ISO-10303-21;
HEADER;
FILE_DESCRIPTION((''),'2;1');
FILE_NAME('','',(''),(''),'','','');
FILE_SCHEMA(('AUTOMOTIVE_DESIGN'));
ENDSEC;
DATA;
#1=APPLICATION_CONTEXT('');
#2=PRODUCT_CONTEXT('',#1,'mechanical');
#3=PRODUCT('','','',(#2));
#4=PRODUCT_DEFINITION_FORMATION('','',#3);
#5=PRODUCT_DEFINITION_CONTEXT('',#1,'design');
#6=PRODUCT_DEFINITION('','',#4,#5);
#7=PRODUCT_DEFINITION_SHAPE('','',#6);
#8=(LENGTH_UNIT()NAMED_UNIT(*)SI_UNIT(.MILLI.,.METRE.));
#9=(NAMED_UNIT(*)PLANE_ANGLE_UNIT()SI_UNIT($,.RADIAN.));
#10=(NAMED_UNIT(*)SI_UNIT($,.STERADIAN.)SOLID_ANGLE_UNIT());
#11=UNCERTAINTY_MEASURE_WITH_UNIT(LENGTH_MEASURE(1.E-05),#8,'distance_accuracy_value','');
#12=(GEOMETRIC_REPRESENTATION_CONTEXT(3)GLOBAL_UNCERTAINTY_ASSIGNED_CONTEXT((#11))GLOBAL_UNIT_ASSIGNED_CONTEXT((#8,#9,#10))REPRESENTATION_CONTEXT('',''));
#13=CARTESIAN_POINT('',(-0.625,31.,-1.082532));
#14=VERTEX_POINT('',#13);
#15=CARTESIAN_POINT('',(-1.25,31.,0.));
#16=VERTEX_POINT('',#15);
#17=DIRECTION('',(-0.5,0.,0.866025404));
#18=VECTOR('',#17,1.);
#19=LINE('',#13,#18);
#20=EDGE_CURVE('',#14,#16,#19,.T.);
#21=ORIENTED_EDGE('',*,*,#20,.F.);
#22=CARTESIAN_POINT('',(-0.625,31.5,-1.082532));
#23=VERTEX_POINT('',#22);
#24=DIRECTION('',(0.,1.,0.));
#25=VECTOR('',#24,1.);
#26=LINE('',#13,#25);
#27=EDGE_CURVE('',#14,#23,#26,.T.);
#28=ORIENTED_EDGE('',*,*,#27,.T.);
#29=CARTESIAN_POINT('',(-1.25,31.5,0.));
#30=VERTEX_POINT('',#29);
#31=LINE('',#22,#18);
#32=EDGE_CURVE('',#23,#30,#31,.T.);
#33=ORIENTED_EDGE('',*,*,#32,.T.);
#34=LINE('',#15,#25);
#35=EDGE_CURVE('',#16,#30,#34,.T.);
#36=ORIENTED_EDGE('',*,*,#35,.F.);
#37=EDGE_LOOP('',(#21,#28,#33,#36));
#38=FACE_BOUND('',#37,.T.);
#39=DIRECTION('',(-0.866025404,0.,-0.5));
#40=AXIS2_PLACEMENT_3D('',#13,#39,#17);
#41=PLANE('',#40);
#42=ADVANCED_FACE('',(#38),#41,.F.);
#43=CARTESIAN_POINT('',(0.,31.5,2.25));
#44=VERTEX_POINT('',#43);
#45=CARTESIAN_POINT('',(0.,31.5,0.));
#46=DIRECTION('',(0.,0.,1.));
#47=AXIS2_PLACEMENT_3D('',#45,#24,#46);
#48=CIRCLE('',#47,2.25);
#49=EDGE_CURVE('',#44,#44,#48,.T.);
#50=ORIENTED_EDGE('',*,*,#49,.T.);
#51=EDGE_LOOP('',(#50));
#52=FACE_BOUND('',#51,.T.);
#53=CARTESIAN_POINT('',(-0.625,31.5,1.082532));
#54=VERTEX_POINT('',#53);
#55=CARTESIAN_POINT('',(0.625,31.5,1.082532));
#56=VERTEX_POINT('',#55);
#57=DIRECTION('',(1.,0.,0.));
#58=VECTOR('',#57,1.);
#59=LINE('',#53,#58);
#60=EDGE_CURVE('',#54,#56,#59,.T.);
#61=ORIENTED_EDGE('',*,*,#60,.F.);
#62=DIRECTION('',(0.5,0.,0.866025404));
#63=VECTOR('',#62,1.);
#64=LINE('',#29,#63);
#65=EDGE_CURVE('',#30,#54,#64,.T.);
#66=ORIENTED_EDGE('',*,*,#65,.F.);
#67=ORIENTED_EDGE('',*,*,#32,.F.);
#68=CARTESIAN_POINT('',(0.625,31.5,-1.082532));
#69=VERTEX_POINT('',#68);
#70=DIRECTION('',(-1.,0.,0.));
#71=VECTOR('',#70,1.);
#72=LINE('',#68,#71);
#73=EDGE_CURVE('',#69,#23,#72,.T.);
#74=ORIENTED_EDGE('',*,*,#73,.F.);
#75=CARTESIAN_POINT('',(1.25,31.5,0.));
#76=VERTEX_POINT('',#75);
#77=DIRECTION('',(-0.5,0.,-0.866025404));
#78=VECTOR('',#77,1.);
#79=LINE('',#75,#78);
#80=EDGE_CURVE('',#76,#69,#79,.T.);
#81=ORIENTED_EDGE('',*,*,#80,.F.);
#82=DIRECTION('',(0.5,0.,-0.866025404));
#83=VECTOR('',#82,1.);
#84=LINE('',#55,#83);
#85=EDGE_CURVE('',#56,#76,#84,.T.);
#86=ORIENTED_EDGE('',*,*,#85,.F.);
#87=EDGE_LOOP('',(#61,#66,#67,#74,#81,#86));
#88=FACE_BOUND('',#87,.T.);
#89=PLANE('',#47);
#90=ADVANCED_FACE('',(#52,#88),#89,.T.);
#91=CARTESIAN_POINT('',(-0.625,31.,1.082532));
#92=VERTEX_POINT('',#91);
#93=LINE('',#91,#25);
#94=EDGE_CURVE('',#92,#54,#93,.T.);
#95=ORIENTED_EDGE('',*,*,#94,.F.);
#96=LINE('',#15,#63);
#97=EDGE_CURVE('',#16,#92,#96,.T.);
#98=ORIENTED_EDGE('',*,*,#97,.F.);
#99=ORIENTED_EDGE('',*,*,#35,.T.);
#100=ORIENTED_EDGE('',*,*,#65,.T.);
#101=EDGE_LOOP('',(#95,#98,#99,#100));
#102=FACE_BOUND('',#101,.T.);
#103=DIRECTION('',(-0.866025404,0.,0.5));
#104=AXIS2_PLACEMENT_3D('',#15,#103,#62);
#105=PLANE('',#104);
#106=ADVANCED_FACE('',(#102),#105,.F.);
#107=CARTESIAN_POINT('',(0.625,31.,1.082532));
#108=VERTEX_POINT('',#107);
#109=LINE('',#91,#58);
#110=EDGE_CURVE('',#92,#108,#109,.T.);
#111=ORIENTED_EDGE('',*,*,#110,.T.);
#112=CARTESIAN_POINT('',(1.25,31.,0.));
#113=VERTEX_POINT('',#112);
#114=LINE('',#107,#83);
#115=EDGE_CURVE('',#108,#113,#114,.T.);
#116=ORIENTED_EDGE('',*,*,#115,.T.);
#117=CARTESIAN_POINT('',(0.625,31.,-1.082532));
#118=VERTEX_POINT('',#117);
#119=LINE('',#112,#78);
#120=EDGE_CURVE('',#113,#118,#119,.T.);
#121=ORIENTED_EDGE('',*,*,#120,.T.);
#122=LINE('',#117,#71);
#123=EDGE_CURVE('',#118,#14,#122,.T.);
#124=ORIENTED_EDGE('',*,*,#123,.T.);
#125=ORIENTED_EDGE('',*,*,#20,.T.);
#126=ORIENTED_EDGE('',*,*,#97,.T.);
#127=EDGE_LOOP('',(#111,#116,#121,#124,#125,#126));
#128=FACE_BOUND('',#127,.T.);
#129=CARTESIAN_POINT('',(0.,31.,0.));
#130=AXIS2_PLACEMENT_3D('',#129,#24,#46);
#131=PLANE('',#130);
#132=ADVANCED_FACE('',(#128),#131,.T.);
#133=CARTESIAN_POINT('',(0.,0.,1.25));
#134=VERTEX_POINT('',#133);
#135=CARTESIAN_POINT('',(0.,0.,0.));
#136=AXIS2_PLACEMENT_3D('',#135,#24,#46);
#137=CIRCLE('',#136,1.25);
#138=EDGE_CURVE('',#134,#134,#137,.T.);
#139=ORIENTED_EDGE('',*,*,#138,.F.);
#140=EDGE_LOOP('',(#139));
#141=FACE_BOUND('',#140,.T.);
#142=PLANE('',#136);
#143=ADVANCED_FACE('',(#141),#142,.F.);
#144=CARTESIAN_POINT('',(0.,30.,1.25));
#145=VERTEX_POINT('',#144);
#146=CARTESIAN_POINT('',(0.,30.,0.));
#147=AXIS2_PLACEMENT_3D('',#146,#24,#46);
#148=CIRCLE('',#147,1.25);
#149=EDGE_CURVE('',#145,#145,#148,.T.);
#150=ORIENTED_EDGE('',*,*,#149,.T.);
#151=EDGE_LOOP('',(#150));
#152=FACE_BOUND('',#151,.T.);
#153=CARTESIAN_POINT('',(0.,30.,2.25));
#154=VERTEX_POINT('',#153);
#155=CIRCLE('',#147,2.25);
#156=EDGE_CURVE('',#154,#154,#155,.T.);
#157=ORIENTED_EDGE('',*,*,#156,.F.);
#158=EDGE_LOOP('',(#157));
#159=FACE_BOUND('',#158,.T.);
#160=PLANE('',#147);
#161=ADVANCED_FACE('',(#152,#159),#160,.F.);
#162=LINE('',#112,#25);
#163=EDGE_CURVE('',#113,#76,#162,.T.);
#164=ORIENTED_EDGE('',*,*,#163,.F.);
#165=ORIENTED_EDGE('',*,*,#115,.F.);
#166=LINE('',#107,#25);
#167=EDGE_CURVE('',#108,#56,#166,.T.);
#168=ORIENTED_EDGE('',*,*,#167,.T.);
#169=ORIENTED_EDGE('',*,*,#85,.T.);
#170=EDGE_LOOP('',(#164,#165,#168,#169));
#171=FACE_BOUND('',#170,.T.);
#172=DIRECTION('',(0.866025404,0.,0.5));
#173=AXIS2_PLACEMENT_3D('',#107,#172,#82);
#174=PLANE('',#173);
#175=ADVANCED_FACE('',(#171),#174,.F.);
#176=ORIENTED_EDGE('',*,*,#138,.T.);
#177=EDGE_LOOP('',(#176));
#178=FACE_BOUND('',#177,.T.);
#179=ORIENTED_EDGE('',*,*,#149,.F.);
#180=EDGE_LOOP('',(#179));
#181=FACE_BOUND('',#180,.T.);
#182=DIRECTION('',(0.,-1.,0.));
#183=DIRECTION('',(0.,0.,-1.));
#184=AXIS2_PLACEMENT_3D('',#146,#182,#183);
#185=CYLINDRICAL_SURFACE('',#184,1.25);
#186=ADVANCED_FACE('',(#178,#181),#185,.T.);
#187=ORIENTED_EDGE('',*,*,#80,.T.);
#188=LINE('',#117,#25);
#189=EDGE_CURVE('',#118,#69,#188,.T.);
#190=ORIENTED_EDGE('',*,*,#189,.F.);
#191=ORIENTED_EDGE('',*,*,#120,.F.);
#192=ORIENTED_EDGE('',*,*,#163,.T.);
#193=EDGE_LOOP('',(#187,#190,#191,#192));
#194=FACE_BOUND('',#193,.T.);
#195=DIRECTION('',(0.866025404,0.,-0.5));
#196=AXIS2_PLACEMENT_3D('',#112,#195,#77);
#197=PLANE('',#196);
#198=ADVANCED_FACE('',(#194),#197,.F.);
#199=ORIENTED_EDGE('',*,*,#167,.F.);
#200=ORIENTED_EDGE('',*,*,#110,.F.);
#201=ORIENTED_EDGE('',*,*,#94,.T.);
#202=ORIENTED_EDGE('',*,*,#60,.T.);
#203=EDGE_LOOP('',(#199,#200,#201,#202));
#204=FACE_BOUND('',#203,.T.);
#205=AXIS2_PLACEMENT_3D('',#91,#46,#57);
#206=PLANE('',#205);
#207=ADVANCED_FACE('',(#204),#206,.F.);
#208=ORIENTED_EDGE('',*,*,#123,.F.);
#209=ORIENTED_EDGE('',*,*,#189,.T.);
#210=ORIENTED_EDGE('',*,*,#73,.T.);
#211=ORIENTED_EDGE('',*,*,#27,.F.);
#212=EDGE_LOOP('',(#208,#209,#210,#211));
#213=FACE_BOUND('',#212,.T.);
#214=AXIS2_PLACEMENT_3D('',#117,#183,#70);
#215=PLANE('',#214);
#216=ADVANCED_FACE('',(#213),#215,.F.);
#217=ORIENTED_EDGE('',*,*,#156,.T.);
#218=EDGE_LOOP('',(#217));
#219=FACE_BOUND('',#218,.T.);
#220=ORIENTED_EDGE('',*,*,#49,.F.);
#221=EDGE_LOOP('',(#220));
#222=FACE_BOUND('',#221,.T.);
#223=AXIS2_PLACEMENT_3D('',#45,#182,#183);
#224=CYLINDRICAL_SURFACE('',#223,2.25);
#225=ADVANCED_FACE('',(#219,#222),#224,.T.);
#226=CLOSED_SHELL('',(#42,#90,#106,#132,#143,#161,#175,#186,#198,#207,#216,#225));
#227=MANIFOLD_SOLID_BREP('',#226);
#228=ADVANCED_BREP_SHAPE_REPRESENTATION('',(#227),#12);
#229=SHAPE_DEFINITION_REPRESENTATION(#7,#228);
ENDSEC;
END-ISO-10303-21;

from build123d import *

# Parameters (mm, degrees)
SKETCH1_R           = 1.25
BOSS_EXTRUDE1_DEPTH = 30
SKETCH4_R           = 2.25
BOSS_EXTRUDE2_DEPTH = 1.5
CUT_EXTRUDE1_DEPTH  = 0.5


with BuildPart() as part:
    # Sketch1 → Boss-Extrude1 (new body)
    with BuildSketch(Plane(origin=(0, 0, 0), x_dir=(1, 0, 0), z_dir=(0, 1, 0))):
        Circle(SKETCH1_R)
    extrude(amount=BOSS_EXTRUDE1_DEPTH)

    # Sketch4 → Boss-Extrude2 (add)
    with BuildSketch(Plane(origin=(0, 30, 0), x_dir=(1, 0, 0), z_dir=(0, 1, 0))):
        Circle(SKETCH4_R)
    extrude(amount=BOSS_EXTRUDE2_DEPTH)

    # Sketch5 → Cut-Extrude1 (cut)
    with BuildSketch(Plane(origin=(0, 31.5, 0), x_dir=(1, 0, 0), z_dir=(0, 1, 0))):
        Polygon((1.25, 0), (0.625, 1.082531755), (-0.625, 1.082531755), (-1.25, 0), (-0.625, -1.082531755), (0.625, -1.082531755), align=None)
    extrude(amount=-CUT_EXTRUDE1_DEPTH, mode=Mode.SUBTRACT)


solid = part.part
